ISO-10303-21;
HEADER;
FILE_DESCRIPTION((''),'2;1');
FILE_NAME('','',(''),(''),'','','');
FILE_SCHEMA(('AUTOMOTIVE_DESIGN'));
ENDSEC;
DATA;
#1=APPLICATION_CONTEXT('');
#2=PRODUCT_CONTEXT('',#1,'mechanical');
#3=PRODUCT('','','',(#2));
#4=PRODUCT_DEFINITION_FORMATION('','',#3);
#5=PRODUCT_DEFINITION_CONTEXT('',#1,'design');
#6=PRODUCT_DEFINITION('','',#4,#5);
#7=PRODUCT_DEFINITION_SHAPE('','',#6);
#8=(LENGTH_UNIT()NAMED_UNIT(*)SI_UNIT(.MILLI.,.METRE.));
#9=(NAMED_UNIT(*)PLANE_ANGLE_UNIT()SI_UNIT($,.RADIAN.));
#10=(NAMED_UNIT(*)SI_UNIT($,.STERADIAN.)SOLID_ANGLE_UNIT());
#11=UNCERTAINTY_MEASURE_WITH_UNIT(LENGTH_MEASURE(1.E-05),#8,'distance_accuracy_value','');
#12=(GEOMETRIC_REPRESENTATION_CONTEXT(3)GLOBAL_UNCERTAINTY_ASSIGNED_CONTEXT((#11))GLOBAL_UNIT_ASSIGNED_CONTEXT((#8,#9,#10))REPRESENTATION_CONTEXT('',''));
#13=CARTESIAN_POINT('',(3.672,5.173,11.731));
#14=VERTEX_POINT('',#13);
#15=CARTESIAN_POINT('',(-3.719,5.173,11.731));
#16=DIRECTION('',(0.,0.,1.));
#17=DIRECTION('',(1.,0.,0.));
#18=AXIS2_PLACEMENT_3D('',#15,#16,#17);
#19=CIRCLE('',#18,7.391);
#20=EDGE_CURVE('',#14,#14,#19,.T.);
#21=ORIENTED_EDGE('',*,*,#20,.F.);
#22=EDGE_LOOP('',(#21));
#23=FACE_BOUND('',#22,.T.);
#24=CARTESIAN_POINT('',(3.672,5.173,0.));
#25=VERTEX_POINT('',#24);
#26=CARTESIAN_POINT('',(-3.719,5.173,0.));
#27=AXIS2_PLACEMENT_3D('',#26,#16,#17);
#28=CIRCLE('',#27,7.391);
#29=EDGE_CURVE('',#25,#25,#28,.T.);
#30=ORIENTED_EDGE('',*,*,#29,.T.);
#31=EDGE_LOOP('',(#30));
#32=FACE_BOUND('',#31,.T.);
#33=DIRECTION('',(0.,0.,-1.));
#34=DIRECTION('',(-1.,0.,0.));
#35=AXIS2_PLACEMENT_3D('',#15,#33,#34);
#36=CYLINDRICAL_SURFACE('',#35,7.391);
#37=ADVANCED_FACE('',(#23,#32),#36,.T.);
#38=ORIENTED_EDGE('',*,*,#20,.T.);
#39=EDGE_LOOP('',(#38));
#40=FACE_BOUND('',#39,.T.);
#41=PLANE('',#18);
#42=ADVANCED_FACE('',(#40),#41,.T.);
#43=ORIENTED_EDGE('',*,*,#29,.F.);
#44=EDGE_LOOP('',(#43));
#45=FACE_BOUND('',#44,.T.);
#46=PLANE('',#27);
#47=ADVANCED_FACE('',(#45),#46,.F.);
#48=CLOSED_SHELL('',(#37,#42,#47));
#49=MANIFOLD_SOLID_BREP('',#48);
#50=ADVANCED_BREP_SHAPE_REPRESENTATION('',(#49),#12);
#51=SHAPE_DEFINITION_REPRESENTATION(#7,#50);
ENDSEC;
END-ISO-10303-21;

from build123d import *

# Parameters (mm, degrees)
CURVESKETCH_R   = 7.391
CURVEBOSS_DEPTH = 11.731


with BuildPart() as part:
    # CurveSketch → CurveBoss (new body)
    with BuildSketch(Plane.XY):
        with Locations((-3.719, 5.173)):
            Circle(CURVESKETCH_R)
    extrude(amount=CURVEBOSS_DEPTH)


solid = part.part
